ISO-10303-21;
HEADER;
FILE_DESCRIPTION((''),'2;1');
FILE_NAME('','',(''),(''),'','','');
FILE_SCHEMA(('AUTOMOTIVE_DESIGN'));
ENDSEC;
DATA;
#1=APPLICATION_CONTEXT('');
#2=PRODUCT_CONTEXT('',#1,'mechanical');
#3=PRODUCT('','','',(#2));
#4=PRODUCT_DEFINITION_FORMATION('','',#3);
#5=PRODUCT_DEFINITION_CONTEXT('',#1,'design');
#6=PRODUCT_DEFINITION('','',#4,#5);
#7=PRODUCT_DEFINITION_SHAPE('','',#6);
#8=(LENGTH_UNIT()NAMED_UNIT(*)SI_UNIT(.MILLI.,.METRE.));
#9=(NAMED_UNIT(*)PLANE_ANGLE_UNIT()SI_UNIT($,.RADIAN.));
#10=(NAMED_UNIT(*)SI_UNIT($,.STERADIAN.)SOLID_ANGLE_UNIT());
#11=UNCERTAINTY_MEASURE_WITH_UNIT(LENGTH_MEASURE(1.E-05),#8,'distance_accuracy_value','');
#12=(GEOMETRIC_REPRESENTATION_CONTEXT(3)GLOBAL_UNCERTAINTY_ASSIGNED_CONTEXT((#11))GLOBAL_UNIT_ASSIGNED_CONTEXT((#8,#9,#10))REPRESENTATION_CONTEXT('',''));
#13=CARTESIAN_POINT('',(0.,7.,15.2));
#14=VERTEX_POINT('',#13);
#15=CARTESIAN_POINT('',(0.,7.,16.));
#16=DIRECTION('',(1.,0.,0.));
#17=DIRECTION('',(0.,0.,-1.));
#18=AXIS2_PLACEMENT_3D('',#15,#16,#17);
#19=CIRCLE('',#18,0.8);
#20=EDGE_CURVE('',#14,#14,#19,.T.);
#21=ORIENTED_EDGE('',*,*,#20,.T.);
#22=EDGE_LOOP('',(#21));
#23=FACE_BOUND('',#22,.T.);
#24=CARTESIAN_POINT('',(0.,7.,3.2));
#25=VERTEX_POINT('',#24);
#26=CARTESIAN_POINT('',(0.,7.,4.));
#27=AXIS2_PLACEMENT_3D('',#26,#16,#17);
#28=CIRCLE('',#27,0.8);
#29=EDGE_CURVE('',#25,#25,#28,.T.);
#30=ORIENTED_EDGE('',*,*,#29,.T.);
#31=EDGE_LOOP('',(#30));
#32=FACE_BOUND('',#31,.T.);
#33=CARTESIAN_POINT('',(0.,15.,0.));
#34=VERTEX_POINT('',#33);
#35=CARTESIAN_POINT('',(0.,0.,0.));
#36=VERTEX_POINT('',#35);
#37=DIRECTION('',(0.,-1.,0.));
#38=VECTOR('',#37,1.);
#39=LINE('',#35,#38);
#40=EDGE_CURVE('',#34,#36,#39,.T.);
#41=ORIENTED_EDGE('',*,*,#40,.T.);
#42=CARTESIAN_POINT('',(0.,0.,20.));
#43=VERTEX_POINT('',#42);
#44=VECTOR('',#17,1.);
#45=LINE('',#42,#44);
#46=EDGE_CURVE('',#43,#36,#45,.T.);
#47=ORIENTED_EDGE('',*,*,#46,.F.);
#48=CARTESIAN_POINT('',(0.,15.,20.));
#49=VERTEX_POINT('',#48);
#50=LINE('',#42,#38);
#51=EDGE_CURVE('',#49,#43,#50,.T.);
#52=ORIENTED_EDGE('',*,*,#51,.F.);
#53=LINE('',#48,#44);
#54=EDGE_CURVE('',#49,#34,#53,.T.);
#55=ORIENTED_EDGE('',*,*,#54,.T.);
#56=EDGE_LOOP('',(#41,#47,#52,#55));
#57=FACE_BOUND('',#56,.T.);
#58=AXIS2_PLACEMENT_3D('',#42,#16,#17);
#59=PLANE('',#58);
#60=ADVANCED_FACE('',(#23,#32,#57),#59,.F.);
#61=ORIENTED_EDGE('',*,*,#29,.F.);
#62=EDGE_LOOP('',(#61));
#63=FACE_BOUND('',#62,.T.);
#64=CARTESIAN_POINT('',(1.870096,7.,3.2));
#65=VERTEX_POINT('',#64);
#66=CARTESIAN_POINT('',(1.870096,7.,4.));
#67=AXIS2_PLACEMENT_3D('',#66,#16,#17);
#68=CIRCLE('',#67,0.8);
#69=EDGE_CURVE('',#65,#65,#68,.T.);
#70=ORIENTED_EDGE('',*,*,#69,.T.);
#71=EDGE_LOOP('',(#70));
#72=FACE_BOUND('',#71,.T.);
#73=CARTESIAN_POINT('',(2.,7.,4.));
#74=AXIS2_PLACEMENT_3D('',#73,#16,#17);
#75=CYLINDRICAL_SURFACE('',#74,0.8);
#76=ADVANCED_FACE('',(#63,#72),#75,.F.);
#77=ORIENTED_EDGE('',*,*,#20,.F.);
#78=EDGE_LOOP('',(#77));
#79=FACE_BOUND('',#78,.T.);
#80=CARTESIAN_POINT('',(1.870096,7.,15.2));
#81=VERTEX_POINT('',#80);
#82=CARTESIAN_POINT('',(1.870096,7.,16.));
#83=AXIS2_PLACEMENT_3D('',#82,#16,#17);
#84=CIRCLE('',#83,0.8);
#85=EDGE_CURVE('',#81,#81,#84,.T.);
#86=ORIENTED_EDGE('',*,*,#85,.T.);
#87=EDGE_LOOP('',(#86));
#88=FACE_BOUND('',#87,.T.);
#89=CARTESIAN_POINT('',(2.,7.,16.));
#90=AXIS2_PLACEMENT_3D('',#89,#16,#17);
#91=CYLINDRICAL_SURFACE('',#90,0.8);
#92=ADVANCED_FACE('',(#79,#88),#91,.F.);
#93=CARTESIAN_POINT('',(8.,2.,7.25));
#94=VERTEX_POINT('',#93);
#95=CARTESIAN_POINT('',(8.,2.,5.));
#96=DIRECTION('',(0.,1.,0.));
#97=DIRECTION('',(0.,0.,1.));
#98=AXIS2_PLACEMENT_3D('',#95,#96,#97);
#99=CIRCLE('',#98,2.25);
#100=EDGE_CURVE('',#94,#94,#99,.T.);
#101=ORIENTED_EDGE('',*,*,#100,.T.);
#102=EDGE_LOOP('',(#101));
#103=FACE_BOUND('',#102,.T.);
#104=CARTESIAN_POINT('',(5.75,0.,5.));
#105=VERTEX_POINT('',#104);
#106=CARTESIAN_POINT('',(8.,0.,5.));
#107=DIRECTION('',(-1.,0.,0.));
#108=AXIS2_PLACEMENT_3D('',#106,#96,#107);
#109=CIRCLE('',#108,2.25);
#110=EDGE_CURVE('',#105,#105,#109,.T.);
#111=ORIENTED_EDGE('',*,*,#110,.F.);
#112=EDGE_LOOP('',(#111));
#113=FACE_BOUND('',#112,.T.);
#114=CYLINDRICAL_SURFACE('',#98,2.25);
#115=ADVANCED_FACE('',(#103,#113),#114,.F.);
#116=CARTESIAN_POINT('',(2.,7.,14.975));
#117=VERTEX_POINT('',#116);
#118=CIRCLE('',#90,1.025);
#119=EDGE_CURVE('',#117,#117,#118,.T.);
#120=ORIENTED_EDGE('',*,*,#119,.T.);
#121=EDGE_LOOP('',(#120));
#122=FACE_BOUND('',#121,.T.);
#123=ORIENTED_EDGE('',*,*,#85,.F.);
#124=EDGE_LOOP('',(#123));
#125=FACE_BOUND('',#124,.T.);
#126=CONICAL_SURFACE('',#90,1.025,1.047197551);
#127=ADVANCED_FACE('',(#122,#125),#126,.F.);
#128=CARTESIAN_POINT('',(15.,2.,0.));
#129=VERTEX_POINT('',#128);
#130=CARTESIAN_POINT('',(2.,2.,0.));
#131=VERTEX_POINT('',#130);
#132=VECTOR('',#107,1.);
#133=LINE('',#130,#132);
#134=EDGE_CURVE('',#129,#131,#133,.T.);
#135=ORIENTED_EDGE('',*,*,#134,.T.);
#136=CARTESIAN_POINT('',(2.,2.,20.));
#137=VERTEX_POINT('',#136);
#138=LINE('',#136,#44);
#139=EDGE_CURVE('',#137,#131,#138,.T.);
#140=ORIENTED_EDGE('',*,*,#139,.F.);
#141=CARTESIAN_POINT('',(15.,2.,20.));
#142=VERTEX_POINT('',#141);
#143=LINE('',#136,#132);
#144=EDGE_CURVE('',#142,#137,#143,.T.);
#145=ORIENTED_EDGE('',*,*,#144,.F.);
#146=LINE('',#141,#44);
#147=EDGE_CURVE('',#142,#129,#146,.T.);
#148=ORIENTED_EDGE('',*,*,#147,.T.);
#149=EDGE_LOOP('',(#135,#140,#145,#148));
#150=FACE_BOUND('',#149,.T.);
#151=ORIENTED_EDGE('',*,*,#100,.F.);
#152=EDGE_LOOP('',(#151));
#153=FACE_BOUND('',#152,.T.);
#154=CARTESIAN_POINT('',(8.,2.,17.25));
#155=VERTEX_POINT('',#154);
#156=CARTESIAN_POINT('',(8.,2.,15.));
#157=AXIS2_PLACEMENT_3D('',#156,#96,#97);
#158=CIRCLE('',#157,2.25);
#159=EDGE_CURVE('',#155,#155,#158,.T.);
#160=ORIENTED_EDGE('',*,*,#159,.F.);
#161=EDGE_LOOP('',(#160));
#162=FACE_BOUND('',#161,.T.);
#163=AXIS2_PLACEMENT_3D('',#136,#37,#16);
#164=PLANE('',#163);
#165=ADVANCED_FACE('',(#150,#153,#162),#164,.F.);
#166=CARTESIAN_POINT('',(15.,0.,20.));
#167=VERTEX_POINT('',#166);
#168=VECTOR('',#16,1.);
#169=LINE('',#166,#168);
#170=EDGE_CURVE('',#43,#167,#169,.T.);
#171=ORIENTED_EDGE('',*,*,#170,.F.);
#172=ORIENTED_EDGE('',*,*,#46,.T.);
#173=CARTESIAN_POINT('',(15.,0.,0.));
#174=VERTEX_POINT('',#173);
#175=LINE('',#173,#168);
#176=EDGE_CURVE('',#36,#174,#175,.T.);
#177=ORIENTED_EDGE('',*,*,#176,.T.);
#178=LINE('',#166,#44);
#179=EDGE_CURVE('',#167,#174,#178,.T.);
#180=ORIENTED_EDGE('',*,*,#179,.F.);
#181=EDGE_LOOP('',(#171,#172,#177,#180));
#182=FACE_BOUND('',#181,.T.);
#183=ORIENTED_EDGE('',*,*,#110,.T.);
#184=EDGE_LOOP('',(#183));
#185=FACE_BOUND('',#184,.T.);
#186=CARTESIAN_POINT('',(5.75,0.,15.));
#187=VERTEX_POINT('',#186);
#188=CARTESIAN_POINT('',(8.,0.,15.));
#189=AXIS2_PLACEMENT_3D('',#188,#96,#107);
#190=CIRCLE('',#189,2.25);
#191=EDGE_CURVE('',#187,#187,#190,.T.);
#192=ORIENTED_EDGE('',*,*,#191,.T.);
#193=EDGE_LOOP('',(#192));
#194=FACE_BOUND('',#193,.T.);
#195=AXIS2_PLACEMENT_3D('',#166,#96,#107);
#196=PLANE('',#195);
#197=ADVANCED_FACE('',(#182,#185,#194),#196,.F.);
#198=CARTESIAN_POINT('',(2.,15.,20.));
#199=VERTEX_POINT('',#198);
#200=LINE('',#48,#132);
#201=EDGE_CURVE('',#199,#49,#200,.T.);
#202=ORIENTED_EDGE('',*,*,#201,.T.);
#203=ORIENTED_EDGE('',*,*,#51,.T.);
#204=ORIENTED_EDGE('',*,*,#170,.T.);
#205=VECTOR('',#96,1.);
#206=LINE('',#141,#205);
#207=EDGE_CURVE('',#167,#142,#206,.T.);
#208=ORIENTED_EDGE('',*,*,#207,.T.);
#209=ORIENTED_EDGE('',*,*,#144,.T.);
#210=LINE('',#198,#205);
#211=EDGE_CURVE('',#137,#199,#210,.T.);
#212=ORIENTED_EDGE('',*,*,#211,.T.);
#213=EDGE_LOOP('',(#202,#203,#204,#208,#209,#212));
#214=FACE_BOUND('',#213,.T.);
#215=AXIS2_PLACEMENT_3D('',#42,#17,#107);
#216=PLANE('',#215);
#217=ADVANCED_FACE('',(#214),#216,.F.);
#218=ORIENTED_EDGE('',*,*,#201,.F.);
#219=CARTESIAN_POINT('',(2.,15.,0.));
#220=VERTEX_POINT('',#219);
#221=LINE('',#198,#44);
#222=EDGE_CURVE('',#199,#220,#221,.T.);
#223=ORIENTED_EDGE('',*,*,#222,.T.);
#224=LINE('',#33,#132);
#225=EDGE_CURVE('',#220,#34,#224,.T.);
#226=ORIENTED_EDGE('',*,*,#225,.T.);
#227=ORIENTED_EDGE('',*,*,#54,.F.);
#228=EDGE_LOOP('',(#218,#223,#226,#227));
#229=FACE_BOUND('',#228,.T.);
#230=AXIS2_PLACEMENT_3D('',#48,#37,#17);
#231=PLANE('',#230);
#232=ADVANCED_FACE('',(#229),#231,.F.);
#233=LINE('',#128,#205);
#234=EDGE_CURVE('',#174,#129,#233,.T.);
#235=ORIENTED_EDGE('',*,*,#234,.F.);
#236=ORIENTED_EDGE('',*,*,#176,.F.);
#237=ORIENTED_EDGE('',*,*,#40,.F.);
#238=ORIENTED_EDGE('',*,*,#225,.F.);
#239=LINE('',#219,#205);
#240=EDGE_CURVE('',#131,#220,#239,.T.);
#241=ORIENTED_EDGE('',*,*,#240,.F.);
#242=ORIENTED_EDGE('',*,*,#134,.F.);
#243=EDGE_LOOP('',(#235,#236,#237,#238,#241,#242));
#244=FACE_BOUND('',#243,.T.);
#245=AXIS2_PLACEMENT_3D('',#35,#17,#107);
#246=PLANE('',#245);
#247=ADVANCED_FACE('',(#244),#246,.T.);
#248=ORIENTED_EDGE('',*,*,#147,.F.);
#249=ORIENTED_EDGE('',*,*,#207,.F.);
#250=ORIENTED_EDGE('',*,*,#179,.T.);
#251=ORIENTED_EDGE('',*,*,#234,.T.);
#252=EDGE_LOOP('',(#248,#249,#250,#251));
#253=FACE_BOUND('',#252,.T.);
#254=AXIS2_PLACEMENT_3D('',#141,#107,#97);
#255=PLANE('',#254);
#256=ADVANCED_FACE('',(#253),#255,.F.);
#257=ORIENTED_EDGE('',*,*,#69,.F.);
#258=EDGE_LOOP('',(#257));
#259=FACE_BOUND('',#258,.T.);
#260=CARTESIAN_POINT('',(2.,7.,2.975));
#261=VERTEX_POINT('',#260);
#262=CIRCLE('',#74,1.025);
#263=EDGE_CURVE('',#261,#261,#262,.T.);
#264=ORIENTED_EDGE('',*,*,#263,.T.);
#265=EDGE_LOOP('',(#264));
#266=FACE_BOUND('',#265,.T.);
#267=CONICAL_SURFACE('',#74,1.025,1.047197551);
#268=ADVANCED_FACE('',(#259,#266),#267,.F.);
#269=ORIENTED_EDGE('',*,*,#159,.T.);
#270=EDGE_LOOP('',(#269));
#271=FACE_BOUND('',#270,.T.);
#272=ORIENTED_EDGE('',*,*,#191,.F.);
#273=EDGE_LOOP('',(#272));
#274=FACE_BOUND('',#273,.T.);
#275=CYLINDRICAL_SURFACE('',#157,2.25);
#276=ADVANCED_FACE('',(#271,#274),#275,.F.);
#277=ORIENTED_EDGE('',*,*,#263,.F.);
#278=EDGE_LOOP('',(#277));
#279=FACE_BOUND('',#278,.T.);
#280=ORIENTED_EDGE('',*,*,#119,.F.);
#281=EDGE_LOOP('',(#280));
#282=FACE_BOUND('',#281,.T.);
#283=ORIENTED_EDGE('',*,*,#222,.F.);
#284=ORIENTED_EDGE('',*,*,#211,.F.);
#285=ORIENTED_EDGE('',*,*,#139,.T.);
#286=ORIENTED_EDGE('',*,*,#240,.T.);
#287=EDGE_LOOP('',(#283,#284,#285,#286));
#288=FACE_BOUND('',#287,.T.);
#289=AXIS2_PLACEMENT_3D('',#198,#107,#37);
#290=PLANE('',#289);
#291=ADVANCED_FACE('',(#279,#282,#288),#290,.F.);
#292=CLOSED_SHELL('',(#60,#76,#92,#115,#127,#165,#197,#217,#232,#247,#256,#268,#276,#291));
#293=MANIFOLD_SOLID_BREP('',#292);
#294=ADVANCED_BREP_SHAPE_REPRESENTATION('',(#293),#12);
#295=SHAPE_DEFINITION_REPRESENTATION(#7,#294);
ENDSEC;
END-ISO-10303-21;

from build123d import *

# Parameters (mm, degrees)
EXTRUDE_1_DEPTH             = 20
HOLE_WIZARD_M41_D           = 4.5
HOLE_WIZARD_M41_DEPTH       = 5
HOLE_WIZARD_M41_TIP         = 1.351936393
HOLE_WIZARD_M21_D           = 1.6
HOLE_WIZARD_M21_DEPTH       = 6
HOLE_WIZARD_M21_CSINK_D     = 2.05
HOLE_WIZARD_M21_CSINK_ANGLE = 120
HOLE_WIZARD_M21_TIP         = 0.480688495


with BuildPart() as part:
    # Эскиз1 → Бобышка-Вытянуть1 (new body)
    with BuildSketch(Plane.XY):
        Polygon((0, 0), (0, 15), (2, 15), (2, 2), (15, 2), (15, 0), align=None)
    extrude(amount=EXTRUDE_1_DEPTH)

    # Отверстие с зазором M41
    with Locations(Plane(origin=(0, 2, 0), x_dir=(-1, 0, 0), z_dir=(0, 1, 0))):
        with Locations((-8, 5), (-8, 15)):
            Hole(HOLE_WIZARD_M41_D / 2, depth=HOLE_WIZARD_M41_DEPTH)
            with Locations((0, 0, -(HOLE_WIZARD_M41_DEPTH + HOLE_WIZARD_M41_TIP / 2))):  # 118° drill point
                Cone(0, HOLE_WIZARD_M41_D / 2, HOLE_WIZARD_M41_TIP, mode=Mode.SUBTRACT)

    # Отверстие обработанное метчиком M21
    with Locations(Plane(origin=(2, 0, 0), x_dir=(0, 0, -1), z_dir=(1, 0, 0))):
        with Locations((-4, 7), (-16, 7)):
            CounterSinkHole(HOLE_WIZARD_M21_D / 2, HOLE_WIZARD_M21_CSINK_D / 2, depth=HOLE_WIZARD_M21_DEPTH, counter_sink_angle=HOLE_WIZARD_M21_CSINK_ANGLE)
            with Locations((0, 0, -(HOLE_WIZARD_M21_DEPTH + HOLE_WIZARD_M21_TIP / 2))):  # 118° drill point
                Cone(0, HOLE_WIZARD_M21_D / 2, HOLE_WIZARD_M21_TIP, mode=Mode.SUBTRACT)


solid = part.part
